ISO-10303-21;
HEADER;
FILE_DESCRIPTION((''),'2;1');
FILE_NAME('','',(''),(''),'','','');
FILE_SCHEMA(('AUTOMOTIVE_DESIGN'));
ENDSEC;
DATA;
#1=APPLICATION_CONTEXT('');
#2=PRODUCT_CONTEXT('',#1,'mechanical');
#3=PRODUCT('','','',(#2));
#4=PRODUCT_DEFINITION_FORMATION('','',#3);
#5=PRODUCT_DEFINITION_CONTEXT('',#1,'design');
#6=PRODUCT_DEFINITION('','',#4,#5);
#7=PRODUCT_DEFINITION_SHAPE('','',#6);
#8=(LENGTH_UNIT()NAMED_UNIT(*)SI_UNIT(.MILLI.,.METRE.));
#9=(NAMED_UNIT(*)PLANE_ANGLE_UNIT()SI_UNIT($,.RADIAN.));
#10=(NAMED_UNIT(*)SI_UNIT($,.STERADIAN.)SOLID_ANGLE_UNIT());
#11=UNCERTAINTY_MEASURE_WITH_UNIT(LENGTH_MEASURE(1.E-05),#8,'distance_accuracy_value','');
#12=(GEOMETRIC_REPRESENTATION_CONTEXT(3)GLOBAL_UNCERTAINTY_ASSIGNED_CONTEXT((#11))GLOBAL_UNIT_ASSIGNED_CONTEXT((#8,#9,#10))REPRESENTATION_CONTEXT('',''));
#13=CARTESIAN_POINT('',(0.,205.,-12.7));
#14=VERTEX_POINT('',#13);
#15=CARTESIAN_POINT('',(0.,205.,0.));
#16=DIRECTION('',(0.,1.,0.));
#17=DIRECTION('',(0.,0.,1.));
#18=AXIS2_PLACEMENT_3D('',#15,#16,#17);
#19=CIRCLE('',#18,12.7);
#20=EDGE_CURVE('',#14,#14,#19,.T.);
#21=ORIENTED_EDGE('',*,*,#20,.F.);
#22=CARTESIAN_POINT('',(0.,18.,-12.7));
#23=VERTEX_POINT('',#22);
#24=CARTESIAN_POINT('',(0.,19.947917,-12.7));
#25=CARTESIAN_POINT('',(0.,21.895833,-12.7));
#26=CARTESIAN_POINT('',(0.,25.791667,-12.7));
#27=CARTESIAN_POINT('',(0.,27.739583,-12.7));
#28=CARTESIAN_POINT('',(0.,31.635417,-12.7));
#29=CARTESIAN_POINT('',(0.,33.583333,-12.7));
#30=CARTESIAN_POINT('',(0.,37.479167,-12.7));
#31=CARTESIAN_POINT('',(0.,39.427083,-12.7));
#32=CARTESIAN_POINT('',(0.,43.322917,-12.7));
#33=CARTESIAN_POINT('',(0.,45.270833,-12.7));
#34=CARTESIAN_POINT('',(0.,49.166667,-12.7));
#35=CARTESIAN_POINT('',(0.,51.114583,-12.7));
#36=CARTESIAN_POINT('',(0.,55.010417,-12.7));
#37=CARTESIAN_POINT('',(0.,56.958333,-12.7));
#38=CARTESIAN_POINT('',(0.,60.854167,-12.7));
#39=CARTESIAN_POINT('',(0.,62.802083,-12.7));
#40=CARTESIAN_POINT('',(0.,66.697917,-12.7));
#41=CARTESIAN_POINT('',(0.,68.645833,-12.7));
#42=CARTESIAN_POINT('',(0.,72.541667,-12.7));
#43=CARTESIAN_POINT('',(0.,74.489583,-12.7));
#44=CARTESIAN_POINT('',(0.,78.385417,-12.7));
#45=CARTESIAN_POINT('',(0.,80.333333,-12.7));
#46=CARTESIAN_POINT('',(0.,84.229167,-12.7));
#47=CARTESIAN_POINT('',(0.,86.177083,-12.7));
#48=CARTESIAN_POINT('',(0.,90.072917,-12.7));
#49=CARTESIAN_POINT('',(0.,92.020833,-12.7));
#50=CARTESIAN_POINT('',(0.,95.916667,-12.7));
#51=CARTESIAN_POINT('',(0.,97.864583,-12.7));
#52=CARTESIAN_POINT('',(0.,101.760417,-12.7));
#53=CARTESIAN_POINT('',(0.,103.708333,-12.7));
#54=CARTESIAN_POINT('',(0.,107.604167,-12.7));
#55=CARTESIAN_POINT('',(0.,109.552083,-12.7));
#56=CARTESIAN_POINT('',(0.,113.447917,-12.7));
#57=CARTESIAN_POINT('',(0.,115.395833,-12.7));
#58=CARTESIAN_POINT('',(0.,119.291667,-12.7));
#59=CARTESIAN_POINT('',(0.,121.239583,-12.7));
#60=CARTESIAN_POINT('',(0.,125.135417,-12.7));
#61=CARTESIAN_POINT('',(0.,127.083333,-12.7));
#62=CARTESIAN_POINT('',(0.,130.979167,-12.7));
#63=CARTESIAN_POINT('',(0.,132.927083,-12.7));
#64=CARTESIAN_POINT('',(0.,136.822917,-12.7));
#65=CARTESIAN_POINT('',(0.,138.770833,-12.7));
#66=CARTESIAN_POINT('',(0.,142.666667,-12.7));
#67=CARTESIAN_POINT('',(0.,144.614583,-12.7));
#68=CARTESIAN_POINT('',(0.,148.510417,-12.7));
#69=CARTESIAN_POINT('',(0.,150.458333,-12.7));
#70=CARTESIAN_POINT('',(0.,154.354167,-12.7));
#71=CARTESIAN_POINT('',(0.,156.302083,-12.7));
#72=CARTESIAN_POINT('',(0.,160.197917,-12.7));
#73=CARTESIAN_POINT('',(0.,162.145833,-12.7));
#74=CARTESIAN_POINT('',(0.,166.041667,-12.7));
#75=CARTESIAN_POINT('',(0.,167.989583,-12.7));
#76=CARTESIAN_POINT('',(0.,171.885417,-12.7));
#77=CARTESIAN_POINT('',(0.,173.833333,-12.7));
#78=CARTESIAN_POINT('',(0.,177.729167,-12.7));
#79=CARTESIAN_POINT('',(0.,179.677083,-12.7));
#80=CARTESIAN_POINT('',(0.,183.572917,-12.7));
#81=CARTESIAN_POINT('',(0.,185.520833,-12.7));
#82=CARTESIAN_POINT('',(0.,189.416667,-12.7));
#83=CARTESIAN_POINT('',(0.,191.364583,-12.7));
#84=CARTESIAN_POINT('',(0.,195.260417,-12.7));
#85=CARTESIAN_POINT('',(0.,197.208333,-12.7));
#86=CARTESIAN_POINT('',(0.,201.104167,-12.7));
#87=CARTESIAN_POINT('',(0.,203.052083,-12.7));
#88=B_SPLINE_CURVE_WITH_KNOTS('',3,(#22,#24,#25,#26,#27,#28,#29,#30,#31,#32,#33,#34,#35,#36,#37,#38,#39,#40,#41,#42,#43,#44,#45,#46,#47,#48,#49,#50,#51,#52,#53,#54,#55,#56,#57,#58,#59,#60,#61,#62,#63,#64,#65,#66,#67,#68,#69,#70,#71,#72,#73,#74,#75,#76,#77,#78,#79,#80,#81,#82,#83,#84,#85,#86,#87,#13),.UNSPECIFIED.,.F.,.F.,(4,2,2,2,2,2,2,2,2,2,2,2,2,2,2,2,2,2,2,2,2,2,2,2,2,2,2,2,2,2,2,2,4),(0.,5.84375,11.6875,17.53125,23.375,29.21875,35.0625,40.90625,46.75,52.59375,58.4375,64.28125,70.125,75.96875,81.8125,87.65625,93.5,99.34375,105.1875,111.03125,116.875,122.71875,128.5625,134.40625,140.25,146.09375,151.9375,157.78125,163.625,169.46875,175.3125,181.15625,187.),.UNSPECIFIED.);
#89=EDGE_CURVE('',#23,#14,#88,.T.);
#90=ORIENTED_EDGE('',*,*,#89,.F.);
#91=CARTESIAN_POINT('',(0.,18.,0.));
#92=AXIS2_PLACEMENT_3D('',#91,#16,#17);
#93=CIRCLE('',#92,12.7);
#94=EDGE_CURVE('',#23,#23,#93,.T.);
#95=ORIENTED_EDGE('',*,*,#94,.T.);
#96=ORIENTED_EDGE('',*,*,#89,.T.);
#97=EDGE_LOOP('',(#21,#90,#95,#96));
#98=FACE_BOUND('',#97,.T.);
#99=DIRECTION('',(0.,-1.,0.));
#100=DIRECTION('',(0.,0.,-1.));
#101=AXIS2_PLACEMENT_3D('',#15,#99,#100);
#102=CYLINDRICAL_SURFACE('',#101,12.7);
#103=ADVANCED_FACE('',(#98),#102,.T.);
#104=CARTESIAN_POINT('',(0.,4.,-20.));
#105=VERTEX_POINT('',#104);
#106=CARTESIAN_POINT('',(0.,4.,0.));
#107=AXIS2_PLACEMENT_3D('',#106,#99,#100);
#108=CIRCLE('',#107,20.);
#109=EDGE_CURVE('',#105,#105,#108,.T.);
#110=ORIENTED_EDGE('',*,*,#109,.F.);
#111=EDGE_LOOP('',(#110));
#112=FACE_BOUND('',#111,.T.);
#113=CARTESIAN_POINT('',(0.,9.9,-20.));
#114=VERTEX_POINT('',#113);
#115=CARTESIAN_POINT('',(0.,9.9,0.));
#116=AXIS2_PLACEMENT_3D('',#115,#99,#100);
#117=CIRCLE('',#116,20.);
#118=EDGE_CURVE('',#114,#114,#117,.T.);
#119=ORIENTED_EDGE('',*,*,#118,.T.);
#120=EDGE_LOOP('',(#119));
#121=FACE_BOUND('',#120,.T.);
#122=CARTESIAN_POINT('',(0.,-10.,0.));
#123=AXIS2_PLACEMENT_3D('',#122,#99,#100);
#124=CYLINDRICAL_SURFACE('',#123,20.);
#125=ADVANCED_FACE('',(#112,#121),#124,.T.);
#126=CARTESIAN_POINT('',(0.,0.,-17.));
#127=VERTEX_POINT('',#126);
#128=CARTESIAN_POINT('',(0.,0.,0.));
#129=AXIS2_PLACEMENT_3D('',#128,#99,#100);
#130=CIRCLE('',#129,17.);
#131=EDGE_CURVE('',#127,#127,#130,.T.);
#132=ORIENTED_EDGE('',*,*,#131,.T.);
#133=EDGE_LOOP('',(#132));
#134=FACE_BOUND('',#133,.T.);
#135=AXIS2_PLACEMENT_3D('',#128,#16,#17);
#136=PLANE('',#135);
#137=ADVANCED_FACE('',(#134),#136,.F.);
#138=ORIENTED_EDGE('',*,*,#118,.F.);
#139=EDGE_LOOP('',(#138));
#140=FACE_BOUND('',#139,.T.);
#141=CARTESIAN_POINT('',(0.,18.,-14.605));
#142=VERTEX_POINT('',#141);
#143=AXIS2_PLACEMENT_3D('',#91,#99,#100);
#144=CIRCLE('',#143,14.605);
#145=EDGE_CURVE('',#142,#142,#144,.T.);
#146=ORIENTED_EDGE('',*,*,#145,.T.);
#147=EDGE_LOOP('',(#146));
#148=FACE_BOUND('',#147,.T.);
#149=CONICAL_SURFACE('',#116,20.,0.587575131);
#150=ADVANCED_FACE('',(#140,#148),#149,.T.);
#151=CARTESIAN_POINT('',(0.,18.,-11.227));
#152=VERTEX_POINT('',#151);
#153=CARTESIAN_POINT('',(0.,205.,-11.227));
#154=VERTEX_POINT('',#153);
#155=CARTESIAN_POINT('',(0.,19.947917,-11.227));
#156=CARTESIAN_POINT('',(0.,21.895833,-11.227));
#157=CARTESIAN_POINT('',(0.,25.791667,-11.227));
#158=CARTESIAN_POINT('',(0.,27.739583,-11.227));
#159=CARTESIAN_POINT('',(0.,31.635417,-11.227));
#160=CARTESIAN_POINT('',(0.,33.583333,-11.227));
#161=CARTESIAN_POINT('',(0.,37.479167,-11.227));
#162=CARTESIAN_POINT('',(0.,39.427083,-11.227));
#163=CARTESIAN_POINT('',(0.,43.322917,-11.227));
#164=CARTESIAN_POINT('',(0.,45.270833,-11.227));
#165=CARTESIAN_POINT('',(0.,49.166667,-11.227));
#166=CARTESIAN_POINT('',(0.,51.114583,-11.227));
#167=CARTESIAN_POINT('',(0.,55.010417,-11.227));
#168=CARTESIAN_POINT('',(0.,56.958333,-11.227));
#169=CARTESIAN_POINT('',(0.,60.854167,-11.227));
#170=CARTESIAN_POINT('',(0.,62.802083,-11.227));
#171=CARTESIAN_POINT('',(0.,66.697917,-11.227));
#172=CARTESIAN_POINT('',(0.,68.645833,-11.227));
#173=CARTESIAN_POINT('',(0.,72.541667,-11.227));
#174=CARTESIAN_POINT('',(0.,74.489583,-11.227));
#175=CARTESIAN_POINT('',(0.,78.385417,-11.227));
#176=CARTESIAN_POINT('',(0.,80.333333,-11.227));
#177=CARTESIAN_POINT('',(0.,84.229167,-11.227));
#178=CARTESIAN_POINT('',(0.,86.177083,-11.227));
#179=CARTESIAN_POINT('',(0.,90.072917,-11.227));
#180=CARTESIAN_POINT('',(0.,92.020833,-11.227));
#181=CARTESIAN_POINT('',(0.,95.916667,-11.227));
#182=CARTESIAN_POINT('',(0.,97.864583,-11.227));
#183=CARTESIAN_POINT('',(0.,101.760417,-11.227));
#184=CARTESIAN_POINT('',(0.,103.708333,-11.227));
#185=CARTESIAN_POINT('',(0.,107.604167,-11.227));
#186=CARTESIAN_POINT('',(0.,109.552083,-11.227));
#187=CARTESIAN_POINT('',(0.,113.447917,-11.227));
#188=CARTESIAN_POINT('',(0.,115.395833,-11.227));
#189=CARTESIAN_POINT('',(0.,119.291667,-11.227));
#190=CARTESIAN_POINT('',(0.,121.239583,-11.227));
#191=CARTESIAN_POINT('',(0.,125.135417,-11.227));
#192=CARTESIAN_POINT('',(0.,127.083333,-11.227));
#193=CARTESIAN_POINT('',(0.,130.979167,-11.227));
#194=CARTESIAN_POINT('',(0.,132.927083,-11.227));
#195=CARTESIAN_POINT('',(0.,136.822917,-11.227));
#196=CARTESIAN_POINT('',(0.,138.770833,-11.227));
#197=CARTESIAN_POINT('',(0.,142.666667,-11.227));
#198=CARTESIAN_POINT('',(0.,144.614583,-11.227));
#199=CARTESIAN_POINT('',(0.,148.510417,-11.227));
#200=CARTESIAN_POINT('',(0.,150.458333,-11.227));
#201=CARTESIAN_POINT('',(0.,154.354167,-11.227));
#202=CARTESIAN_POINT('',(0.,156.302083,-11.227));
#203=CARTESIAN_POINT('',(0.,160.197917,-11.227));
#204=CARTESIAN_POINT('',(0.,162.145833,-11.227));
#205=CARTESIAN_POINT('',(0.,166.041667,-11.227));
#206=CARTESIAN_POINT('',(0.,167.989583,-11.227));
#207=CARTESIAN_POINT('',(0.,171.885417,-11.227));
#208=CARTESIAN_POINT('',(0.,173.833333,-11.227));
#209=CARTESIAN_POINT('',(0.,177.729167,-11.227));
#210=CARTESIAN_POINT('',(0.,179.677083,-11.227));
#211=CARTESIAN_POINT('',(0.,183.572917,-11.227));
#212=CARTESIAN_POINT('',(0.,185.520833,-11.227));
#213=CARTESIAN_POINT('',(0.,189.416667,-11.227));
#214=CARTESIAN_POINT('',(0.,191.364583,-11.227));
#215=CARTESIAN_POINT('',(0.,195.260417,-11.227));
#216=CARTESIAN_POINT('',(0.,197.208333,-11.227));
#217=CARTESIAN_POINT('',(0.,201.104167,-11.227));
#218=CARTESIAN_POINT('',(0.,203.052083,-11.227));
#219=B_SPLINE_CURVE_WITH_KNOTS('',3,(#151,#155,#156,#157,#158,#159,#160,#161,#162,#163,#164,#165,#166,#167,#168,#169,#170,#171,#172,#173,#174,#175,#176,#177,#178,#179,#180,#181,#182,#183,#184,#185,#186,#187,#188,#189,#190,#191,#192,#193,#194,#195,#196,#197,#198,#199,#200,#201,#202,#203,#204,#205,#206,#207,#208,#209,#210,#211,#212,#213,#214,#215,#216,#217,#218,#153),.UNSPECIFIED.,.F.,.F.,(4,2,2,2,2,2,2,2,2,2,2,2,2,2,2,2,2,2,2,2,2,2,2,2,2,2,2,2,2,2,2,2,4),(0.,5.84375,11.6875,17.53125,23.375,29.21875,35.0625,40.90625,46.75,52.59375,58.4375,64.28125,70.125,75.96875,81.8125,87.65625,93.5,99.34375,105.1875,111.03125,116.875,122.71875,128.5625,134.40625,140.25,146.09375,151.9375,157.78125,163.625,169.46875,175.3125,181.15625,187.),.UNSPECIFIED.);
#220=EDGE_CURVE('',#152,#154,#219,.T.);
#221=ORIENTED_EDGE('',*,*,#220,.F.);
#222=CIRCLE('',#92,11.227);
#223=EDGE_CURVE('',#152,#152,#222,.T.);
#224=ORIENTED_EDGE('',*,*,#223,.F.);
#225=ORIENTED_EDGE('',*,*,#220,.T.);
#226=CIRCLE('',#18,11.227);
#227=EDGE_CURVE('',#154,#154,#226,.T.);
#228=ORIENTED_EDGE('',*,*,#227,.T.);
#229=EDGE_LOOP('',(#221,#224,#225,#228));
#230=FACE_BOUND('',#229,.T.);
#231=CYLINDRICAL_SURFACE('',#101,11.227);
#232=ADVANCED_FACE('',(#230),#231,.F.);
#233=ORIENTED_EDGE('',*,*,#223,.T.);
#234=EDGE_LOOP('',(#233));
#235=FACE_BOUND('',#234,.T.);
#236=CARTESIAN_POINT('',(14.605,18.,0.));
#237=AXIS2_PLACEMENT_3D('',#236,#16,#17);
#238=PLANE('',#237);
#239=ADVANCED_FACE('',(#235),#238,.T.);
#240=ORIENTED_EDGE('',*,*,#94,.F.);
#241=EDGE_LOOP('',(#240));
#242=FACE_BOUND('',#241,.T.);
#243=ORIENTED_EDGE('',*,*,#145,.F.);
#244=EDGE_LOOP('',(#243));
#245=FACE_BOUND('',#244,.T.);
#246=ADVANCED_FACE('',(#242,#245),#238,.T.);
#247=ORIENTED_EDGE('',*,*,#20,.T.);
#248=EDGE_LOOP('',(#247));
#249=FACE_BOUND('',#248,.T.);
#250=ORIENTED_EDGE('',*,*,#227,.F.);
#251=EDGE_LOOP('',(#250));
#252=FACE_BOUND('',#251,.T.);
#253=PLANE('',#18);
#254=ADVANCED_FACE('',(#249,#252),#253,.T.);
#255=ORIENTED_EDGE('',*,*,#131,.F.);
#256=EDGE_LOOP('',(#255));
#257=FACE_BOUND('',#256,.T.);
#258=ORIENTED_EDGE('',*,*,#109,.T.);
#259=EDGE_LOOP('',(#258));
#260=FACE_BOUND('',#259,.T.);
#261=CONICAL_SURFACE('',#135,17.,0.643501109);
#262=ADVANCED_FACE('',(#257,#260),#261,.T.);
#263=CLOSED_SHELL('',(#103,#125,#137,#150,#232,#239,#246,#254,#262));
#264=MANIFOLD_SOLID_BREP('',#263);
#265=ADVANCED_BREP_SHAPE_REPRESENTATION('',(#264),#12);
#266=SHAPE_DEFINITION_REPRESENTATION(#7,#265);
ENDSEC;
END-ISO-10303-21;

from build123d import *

# Parameters (mm, degrees)
SKETCH1_R           = 12.7
SKETCH1_R_2         = 11.227
BOSS_EXTRUDE1_DEPTH = 205


with BuildPart() as part:
    # Sketch1 → Boss-Extrude1 (new body)
    with BuildSketch(Plane(origin=(0, 0, 0), x_dir=(1, 0, 0), z_dir=(0, 1, 0))):
        with Locations(Location((0, 0, 0), (0, 0, 90))):
            Circle(SKETCH1_R)
        with Locations(Location((0, 0, 0), (0, 0, 90))):
            Circle(SKETCH1_R_2, mode=Mode.SUBTRACT)
    extrude(amount=BOSS_EXTRUDE1_DEPTH)

    # Sketch2 → Revolve1 (revolve)
    with BuildSketch(Plane.XY, mode=Mode.PRIVATE) as revolve1_sk:
        Polygon((0, 0), (17, 0), (20, 4), (20, 9.9), (14.605, 18), (0, 18), align=None)
    revolve(revolve1_sk.sketch.rotate(Axis((0, -10, 0), (0, 1, 0)), 90), axis=Axis((0, -10, 0), (0, 1, 0)))


solid = part.part
